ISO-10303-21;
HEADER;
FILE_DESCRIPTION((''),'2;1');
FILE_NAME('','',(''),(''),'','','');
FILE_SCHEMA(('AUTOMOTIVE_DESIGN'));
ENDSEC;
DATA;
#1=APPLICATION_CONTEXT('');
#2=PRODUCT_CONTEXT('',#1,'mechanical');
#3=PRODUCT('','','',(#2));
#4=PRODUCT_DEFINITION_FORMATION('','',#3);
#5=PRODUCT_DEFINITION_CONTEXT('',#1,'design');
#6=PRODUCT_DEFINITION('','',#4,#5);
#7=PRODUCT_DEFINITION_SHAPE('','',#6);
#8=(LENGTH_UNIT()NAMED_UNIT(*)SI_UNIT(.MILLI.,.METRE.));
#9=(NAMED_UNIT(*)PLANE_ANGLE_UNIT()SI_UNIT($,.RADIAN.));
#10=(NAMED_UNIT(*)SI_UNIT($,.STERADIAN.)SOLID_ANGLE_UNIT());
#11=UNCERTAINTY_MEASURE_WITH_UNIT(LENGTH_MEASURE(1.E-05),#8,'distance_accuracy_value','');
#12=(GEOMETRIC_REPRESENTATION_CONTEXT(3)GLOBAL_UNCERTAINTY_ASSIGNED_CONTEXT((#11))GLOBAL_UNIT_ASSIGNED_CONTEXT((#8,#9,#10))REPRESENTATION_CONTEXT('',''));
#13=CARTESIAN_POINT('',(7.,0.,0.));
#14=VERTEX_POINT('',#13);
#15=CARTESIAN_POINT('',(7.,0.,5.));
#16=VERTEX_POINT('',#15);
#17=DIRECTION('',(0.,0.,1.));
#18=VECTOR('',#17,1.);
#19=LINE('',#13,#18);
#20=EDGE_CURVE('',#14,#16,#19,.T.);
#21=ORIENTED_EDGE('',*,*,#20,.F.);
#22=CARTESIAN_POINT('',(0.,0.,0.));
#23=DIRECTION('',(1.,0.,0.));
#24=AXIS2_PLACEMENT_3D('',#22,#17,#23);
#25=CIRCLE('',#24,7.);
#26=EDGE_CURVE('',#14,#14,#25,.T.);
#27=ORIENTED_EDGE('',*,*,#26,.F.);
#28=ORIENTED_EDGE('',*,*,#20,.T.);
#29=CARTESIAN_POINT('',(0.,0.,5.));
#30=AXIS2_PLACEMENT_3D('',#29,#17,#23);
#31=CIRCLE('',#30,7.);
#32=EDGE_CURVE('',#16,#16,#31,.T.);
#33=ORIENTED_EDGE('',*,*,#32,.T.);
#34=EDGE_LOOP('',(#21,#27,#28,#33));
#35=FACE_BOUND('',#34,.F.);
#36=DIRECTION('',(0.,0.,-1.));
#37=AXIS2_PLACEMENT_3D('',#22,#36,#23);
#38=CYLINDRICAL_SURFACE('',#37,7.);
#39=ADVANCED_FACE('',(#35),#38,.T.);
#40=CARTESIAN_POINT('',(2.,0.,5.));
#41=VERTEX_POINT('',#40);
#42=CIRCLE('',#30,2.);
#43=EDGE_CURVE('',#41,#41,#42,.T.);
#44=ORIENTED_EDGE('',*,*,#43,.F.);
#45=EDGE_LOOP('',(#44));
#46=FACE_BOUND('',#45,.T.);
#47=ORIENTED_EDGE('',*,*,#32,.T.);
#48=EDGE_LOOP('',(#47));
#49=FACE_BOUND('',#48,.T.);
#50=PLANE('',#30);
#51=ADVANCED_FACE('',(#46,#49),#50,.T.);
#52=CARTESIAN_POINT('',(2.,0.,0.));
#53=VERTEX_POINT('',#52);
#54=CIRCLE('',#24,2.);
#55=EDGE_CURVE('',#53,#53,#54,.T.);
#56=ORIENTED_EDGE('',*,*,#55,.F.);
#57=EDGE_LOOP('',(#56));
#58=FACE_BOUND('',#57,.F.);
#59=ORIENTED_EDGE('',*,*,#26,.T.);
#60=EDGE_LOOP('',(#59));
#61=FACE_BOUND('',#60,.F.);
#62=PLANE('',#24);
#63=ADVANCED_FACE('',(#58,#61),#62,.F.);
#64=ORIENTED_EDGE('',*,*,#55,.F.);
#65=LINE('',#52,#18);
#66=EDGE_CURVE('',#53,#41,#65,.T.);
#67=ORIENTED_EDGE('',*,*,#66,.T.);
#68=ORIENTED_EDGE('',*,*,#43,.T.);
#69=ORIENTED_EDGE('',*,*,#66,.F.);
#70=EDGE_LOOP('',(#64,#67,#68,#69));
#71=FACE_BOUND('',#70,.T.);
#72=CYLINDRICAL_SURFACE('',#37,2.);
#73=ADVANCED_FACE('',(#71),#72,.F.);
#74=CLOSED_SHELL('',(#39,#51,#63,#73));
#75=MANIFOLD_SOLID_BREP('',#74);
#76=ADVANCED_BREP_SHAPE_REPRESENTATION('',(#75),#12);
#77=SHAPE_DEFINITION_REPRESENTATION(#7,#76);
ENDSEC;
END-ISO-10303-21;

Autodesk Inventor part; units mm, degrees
ref_plane "YZ Plane" through (0, 0, 0) normal (1, 0, 0) x (0, 1, 0)
ref_plane "XZ Plane" through (0, 0, 0) normal (0, 1, 0) x (-1, 0, 0)
ref_plane "XY Plane" through (0, 0, 0) normal (0, 0, 1) x (1, 0, 0)
sketch "Эскиз1" plane through (0, 0, 0) normal (0, 0, 1) x (1, 0, 0)
  circle A0 centre (0, 0) radius 2
  circle A1 centre (0, 0) radius 7
  dimension "d0" = 4
  dimension "d1" = 14
extrude "Выдавливание1" add sketch "Эскиз1" along normal blind 5
properties part number "Потшипник"
